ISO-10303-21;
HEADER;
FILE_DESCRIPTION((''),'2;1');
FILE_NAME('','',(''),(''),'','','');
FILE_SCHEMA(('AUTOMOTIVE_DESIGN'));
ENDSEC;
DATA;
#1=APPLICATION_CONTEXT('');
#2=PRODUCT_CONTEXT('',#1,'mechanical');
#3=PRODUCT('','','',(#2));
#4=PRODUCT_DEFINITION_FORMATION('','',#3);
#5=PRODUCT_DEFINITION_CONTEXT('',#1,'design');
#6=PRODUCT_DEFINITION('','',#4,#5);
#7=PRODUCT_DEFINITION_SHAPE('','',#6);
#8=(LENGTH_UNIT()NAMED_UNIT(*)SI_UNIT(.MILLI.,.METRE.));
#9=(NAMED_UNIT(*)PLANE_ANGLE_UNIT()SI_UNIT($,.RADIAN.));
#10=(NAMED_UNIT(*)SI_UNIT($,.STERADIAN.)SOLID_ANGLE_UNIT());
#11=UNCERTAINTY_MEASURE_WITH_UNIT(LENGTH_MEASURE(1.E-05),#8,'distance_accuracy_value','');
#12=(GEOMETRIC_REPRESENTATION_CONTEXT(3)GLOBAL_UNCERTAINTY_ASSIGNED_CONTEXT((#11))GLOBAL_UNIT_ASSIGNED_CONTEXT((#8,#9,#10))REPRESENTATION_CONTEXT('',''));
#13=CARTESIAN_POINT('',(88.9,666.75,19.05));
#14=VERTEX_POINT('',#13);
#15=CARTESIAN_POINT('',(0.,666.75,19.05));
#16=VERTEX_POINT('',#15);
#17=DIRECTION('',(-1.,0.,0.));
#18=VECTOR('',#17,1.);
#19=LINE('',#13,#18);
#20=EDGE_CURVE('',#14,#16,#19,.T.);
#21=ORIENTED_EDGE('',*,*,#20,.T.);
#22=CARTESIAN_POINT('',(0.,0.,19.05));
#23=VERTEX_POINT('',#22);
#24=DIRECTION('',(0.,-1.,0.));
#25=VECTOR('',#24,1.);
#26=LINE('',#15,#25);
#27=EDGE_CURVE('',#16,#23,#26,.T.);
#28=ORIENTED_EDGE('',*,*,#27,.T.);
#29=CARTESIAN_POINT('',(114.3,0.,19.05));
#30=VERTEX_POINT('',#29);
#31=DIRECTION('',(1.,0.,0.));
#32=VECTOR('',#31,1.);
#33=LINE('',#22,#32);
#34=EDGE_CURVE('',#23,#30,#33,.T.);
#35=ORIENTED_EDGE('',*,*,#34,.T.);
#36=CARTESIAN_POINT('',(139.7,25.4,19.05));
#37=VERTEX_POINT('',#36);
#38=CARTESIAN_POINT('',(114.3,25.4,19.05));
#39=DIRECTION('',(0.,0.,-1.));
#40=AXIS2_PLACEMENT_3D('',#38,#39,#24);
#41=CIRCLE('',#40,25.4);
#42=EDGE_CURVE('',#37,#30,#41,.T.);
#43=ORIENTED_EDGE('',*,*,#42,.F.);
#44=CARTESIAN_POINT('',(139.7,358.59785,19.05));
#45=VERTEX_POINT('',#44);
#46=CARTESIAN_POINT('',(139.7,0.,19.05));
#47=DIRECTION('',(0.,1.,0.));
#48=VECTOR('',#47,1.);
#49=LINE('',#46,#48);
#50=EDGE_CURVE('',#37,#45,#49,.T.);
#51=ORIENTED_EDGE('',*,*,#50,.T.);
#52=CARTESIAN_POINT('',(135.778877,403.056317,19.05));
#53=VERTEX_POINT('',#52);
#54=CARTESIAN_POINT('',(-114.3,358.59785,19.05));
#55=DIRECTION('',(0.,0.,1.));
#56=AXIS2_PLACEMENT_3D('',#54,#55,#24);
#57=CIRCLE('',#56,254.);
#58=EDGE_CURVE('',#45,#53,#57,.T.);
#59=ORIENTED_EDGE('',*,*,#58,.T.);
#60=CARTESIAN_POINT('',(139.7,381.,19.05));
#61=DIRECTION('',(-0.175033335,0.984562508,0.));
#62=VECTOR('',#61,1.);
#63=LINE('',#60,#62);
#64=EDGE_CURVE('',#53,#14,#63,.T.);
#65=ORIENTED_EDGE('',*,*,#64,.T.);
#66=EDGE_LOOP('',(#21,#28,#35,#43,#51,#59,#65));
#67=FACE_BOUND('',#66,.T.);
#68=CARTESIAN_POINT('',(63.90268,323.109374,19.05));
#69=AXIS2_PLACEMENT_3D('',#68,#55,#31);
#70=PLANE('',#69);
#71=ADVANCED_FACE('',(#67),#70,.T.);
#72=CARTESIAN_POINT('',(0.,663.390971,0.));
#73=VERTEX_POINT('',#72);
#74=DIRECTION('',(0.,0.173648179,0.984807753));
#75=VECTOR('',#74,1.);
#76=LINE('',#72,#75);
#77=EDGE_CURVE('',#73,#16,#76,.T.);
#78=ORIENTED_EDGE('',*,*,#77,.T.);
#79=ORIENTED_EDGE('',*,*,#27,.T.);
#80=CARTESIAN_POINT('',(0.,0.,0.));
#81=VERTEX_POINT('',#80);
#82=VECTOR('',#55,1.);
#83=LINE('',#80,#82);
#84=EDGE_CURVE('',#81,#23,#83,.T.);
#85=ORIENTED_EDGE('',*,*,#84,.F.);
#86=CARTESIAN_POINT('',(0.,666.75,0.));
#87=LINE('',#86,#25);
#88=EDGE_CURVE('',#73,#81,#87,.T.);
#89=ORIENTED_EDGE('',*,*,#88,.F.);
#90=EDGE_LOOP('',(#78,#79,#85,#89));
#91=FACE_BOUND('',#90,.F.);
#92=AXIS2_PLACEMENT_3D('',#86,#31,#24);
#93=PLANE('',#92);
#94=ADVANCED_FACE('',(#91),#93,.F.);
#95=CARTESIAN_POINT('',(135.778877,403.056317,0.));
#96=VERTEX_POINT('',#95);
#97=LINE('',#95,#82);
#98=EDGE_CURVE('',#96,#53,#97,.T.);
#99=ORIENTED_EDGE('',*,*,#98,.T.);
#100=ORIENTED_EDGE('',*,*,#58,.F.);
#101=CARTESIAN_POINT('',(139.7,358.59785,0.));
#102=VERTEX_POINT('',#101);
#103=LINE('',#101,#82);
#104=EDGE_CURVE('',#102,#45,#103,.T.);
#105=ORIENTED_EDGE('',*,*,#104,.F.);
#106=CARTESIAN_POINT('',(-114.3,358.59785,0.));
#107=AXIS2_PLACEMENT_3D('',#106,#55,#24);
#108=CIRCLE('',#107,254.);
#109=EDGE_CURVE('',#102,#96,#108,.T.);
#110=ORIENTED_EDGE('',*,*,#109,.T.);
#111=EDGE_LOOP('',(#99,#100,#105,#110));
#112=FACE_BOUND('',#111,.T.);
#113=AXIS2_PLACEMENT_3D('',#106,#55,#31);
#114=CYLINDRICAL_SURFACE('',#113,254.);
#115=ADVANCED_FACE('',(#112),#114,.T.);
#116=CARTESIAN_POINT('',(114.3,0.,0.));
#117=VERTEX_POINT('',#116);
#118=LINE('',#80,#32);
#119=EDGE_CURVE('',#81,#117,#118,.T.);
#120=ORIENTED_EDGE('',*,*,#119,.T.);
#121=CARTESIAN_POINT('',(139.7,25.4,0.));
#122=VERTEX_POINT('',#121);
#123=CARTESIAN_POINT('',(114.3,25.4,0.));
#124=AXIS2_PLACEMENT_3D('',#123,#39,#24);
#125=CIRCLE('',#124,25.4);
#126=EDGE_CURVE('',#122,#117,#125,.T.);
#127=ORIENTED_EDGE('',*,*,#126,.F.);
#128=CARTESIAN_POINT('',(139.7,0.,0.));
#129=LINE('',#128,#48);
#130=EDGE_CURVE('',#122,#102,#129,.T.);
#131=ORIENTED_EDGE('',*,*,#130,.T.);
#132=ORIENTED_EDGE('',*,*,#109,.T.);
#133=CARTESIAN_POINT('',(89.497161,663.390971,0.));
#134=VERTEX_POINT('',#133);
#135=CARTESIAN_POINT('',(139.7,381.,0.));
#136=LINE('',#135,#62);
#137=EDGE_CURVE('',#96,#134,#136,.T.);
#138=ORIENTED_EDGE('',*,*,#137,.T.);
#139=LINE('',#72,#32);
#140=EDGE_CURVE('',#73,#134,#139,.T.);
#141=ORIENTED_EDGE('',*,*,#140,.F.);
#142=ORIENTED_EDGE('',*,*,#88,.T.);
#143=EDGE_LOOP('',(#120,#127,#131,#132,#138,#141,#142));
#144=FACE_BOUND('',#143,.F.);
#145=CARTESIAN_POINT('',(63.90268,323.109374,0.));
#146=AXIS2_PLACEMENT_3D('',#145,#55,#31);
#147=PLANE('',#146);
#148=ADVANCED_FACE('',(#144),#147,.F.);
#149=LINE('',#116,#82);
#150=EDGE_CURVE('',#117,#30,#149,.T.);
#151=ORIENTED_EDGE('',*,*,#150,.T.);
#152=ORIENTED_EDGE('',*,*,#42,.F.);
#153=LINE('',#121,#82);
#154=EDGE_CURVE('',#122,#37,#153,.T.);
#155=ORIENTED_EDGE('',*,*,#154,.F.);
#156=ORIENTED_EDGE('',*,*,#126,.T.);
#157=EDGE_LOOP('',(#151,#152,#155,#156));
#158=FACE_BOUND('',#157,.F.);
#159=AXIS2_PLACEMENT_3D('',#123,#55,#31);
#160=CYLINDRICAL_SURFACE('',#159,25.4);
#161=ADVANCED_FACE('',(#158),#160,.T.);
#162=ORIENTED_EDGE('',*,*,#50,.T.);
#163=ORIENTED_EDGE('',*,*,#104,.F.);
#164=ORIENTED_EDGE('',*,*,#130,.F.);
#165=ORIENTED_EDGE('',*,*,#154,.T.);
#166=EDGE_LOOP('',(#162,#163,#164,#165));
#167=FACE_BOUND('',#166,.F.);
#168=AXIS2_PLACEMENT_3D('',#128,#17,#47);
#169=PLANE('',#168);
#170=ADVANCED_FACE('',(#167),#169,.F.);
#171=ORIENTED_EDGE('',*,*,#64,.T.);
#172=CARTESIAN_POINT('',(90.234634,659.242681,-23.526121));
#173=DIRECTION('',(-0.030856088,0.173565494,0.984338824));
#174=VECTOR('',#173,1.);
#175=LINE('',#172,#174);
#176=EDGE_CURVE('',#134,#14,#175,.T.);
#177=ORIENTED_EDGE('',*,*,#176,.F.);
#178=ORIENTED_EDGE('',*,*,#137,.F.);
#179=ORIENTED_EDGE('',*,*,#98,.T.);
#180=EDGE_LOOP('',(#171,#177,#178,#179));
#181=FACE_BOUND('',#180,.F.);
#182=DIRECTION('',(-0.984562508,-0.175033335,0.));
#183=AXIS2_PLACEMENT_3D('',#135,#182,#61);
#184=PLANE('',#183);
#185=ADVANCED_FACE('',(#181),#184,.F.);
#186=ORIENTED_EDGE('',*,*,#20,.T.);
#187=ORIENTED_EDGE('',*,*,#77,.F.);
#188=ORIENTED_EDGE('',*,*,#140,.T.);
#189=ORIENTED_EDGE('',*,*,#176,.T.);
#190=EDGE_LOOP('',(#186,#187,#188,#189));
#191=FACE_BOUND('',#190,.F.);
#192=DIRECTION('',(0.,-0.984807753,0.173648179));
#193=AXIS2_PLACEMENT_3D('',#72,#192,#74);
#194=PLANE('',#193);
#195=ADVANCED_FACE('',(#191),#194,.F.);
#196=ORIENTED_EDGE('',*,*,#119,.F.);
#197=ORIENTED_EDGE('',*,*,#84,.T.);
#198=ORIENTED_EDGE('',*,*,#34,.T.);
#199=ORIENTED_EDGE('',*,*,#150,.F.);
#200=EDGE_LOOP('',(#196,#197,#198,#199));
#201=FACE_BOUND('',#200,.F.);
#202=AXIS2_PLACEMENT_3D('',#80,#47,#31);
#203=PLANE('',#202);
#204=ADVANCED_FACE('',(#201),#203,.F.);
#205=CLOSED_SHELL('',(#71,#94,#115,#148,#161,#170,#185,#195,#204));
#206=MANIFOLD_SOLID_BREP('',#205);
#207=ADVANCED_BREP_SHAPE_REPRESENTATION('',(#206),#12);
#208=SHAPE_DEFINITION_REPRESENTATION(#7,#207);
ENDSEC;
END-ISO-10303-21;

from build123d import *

# Parameters (mm, degrees)
F1_DEPTH = 19.05
F2_R     = 254
F3_R     = 25.4
F5_DEPTH = 139.701


with BuildPart() as f1:
    # F0 (on Top) → F1 (new body)
    with BuildSketch(Plane.XY):
        Polygon((0, 666.75), (0, 0), (139.7, 0), (139.7, 381), (88.9, 666.75), align=None)
    extrude(amount=F1_DEPTH)

    # F2
    f2_edges = [f1.edges().sort_by_distance(p)[0] for p in [
        (139.7, 381, 9.525),
    ]]
    fillet(f2_edges, radius=F2_R)

    # F3
    f3_edges = [f1.edges().sort_by_distance(p)[0] for p in [
        (139.7, 0, 9.525),
    ]]
    fillet(f3_edges, radius=F3_R)

    # F4 (on face) → F5 (cut, through all)
    with BuildSketch(Plane(origin=(0, 0, 0), x_dir=(0, -1, 0), z_dir=(-1, 0, 0))):
        Polygon((-663.390971, 0), (-666.75, 19.05), (-666.75, 0), align=None)
    extrude(amount=-F5_DEPTH, mode=Mode.SUBTRACT)


solid = f1.part
